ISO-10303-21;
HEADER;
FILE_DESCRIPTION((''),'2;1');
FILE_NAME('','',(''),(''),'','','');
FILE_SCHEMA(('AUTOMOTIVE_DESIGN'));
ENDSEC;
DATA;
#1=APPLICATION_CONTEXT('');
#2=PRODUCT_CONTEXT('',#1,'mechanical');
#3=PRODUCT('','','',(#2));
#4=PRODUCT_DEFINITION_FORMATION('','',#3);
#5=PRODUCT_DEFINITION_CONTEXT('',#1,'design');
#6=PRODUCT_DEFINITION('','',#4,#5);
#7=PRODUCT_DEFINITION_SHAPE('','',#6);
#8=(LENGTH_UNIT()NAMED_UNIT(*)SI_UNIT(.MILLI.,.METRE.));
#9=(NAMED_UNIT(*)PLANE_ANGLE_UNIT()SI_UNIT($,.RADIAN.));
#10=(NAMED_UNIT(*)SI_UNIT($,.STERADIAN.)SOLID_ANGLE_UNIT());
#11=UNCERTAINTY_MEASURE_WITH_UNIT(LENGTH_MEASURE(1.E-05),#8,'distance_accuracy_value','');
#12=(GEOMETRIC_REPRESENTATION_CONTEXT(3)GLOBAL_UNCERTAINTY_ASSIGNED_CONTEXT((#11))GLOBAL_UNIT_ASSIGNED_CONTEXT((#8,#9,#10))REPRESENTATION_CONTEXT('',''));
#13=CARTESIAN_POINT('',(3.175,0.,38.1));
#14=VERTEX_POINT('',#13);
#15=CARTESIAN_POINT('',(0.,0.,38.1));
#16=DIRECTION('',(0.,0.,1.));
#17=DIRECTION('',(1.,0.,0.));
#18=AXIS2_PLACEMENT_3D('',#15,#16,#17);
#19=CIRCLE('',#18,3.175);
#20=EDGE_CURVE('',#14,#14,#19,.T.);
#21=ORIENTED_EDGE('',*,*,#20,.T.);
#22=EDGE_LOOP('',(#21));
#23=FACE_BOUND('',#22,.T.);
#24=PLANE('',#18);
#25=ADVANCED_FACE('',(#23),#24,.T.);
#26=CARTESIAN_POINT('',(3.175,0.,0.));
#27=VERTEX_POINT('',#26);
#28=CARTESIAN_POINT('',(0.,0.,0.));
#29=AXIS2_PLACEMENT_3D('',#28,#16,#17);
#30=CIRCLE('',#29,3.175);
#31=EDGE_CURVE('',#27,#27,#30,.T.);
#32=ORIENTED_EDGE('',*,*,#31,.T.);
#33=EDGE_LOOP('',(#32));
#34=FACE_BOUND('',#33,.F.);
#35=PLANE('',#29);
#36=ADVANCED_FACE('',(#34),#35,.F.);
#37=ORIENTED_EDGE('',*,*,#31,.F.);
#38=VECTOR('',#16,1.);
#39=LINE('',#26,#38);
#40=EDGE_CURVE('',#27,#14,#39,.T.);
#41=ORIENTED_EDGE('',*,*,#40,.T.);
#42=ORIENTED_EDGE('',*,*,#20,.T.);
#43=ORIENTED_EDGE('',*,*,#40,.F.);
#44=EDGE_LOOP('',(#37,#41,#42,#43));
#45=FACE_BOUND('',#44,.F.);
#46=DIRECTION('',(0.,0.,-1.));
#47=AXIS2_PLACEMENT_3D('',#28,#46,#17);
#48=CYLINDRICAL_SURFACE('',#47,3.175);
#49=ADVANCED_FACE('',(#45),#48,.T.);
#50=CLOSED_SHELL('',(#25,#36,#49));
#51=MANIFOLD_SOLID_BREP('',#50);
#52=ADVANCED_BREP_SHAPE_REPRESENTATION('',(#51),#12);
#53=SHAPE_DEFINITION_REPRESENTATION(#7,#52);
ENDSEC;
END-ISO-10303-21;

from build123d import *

# Parameters (mm, degrees)
SKETCH1_R           = 3.175
BOSS_EXTRUDE1_DEPTH = 38.1


with BuildPart() as part:
    # Sketch1 → Boss-Extrude1 (new body)
    with BuildSketch(Plane.XY):
        Circle(SKETCH1_R)
    extrude(amount=BOSS_EXTRUDE1_DEPTH)


solid = part.part
